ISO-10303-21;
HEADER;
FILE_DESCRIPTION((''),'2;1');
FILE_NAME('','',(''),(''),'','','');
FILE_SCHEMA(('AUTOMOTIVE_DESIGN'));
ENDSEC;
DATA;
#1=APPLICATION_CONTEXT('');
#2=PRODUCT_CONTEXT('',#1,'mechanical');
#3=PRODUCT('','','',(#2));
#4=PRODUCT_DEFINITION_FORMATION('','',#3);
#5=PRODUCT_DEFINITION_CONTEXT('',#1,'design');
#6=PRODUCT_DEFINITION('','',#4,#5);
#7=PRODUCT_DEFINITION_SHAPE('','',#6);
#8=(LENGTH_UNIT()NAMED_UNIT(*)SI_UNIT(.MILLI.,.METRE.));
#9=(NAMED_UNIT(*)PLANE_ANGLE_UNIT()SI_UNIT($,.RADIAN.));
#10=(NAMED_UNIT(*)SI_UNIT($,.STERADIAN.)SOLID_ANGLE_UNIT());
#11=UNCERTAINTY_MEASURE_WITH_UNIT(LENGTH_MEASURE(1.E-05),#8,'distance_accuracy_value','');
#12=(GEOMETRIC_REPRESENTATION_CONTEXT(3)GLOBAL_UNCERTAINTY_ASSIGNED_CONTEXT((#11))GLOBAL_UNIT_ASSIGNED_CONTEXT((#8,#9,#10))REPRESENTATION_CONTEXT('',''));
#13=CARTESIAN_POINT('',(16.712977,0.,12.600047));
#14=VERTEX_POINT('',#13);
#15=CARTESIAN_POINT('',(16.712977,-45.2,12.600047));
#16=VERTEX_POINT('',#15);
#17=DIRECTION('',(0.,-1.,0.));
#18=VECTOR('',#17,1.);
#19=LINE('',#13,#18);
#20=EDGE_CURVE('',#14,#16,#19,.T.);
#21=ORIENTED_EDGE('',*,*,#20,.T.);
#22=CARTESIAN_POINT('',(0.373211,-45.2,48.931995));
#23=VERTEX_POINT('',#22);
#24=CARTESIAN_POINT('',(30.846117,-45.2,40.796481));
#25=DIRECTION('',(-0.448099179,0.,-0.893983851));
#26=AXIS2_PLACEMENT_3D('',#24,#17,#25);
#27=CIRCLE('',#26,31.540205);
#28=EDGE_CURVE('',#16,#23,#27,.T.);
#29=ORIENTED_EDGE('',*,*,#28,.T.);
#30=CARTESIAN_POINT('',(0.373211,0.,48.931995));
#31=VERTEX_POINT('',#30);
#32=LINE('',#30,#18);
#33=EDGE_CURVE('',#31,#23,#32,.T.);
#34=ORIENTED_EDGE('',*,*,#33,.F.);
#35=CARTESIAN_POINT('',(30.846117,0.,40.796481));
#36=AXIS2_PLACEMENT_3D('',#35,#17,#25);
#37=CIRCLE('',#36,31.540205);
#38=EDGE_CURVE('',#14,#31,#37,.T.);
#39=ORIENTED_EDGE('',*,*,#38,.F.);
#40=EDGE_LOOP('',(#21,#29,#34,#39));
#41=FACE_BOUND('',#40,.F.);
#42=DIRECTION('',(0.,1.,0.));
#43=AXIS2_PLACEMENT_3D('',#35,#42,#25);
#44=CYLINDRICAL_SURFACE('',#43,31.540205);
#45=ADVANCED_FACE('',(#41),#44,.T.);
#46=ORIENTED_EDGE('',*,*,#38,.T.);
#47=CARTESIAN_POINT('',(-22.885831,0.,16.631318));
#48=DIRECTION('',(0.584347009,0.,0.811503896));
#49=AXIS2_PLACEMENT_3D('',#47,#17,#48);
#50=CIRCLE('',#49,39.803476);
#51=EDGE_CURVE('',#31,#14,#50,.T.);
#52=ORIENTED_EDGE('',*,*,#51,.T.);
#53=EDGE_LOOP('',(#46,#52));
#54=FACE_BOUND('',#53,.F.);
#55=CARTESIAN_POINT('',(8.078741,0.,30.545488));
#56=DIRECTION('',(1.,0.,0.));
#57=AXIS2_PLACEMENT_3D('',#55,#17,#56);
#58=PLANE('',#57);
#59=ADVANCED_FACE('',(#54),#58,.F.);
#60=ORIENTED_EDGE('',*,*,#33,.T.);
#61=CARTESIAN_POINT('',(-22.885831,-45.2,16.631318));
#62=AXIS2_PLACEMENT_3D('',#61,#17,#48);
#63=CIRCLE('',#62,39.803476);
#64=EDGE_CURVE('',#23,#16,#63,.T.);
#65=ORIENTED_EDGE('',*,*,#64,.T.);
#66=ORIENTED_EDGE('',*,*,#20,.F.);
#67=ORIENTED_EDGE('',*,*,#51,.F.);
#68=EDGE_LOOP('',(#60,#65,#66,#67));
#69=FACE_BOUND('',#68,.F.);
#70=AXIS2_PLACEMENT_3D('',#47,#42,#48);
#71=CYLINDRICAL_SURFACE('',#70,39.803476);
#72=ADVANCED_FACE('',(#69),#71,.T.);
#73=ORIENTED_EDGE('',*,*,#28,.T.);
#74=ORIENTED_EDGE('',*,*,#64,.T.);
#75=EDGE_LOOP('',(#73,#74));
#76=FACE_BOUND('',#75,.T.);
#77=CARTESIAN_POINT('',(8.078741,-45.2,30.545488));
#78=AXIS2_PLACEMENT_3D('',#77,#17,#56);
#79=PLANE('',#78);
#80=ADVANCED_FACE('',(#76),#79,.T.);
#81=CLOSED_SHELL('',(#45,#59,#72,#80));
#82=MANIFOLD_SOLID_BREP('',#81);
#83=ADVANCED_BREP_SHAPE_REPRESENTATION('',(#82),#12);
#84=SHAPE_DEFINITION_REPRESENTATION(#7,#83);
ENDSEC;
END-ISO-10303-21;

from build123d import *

# Parameters (mm, degrees)
F1_DEPTH = 45.2


with BuildPart() as f1:
    # F0 (on Front) → F1 (new body)
    with BuildSketch(Plane.XZ):
        with BuildLine():
            ThreePointArc((16.7129768698, 12.6000467224), (16.8664453502, 14.6130863944), (16.9176454168, 16.6313182563))
            ThreePointArc((16.9176454168, 16.6313182563), (12.5409066314, 34.7769236828), (0.3732113454, 48.93199451))
            ThreePointArc((0.3732113454, 48.93199451), (2.0810785537, 27.8598230299), (16.7129768698, 12.6000467224))
        make_face()
        with BuildLine():
            ThreePointArc((0.3732113454, 48.93199451), (12.5409066314, 34.7769236828), (16.9176454168, 16.6313182563))
            ThreePointArc((16.9176454168, 16.6313182563), (16.8664453502, 14.6130863944), (16.7129768698, 12.6000467224))
            ThreePointArc((16.7129768698, 12.6000467224), (47.4144968282, 13.9585721782), (62.3863225462, 40.7964810729))
            ThreePointArc((62.3863225462, 40.7964810729), (34.9487292709, 72.0687233162), (0.3732113454, 48.93199451))
        make_face()
        with BuildLine():
            ThreePointArc((16.7129768698, 12.6000467224), (2.0810785537, 27.8598230299), (0.3732113454, 48.93199451))
            ThreePointArc((0.3732113454, 48.93199451), (-59.1870699707, 0.3053636088), (16.7129768698, 12.6000467224))
        make_face()
    extrude(amount=F1_DEPTH)


solid = f1.part
